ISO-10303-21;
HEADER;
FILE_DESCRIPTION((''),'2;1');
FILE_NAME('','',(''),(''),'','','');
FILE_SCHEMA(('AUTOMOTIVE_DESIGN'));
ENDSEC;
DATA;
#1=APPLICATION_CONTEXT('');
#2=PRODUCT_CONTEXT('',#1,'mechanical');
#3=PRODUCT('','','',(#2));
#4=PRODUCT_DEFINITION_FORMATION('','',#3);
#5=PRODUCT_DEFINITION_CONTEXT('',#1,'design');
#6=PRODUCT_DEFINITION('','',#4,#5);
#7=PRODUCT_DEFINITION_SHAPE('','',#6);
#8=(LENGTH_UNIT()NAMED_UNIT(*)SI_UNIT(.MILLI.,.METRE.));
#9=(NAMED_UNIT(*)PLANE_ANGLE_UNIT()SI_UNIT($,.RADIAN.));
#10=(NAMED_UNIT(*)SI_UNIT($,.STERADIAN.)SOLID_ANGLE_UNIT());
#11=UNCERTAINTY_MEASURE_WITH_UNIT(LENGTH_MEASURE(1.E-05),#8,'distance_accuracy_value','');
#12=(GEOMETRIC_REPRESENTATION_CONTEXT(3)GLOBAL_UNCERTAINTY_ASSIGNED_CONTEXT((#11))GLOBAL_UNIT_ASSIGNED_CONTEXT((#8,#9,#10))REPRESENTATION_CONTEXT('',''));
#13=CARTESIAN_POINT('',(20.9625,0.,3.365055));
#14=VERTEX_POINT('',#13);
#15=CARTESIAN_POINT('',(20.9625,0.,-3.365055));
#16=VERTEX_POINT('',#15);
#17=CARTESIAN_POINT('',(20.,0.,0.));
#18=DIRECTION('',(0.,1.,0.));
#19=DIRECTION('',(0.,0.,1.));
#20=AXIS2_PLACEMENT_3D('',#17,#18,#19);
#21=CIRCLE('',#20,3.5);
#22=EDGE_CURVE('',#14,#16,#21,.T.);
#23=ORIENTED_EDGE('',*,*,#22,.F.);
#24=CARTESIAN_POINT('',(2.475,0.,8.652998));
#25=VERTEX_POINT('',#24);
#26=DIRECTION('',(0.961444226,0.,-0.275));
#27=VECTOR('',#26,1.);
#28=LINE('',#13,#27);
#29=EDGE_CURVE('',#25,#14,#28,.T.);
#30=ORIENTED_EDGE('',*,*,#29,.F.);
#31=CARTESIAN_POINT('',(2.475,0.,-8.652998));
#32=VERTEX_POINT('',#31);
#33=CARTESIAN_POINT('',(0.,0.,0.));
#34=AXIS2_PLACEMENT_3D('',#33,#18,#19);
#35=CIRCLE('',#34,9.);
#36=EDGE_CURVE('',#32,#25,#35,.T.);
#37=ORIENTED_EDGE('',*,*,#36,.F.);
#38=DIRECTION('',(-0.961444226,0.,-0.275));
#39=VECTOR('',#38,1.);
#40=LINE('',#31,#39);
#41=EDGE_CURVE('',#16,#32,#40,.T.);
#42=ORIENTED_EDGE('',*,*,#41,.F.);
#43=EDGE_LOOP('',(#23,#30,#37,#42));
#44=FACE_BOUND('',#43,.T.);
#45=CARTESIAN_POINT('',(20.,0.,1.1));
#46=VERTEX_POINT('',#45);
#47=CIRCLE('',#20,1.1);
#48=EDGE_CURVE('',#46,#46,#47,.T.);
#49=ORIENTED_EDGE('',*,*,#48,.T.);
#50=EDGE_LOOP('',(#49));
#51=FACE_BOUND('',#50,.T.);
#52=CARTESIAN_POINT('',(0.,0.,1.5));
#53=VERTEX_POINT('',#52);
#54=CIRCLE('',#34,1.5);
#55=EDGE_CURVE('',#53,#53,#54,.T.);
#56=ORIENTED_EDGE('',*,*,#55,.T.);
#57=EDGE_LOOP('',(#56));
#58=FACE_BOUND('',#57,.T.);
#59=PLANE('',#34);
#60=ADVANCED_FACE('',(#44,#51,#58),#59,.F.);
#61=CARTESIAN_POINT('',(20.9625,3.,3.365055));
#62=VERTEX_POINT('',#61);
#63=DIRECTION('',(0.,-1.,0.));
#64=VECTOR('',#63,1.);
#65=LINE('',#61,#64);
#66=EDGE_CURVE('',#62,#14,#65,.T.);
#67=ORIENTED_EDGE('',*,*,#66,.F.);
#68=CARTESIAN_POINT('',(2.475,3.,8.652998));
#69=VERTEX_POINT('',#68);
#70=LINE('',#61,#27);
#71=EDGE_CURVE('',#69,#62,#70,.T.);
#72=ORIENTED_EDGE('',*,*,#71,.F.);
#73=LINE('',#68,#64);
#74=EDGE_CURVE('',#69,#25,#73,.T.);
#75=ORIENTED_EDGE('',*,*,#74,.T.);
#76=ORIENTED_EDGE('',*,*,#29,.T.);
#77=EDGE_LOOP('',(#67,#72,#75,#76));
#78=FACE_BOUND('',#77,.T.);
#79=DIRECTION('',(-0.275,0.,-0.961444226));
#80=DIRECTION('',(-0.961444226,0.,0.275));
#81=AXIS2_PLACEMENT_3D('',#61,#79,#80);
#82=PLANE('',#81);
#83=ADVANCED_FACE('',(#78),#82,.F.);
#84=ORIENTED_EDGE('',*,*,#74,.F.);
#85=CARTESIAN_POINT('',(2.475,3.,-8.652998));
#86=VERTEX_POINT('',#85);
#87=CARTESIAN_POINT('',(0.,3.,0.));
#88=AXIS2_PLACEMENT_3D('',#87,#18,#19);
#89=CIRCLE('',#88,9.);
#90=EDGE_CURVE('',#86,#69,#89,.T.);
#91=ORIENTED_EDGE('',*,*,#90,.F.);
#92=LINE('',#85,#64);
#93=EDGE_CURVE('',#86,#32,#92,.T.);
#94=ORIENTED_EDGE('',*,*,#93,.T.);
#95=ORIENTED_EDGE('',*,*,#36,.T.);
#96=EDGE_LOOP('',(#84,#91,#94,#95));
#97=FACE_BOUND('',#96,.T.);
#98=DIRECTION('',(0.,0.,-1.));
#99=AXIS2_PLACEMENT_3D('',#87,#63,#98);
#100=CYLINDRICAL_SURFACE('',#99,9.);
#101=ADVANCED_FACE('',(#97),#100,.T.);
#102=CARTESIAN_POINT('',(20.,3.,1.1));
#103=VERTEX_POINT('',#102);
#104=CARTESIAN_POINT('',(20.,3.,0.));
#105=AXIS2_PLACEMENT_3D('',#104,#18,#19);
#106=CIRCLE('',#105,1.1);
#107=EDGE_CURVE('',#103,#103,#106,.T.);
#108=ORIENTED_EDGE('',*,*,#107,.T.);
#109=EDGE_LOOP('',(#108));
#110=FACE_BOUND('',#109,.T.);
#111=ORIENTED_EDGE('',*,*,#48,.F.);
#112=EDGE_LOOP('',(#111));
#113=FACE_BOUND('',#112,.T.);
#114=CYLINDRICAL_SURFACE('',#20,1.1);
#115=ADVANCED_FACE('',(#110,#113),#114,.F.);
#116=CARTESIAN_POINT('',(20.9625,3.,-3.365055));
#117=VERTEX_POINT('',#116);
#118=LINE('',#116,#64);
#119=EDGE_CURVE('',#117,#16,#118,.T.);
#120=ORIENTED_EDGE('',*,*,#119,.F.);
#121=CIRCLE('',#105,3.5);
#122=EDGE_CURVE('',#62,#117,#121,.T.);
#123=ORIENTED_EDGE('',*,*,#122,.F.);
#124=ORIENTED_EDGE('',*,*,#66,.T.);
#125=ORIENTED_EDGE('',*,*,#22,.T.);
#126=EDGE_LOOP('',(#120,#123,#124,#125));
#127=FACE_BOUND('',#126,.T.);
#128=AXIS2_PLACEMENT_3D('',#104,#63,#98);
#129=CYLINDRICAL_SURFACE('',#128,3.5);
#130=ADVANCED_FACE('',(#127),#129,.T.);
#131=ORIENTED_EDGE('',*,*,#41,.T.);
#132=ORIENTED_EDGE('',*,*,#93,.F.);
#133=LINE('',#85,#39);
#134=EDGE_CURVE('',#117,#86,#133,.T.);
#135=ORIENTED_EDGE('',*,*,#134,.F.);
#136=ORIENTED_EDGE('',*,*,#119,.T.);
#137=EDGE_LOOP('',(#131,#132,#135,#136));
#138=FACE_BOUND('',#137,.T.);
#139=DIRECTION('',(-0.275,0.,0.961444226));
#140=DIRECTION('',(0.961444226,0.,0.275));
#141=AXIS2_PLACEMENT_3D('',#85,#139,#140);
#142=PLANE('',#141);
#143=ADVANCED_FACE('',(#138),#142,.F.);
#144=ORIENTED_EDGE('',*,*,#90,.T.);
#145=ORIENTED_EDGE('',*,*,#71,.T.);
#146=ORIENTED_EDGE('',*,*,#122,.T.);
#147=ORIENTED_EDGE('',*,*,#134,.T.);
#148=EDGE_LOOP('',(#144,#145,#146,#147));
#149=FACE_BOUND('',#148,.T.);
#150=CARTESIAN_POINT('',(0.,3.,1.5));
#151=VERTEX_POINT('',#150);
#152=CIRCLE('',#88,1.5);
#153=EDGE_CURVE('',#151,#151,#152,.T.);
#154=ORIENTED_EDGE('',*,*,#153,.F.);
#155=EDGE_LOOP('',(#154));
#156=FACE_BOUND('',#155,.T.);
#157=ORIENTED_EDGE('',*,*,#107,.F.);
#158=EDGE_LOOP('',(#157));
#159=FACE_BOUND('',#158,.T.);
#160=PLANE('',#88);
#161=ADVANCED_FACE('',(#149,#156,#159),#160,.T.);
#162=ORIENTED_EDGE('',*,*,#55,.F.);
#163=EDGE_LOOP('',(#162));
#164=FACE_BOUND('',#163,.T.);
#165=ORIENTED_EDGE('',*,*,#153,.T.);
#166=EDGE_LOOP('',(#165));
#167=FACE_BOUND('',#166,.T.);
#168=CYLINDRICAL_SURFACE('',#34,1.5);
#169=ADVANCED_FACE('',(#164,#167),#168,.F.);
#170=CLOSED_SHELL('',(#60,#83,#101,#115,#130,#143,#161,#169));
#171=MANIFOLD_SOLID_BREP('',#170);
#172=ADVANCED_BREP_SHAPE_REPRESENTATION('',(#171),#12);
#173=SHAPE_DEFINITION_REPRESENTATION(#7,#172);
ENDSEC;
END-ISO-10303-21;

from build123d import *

# Parameters (mm, degrees)
EXTRUDE_1_DEPTH     = 3
SKETCH_2_R          = 1.5
SKETCH_2_R_2        = 1.1
CUT_EXTRUDE_1_DEPTH = 3


with BuildPart() as part:
    # 스케치1 → 보스-돌출1 (new body)
    with BuildSketch(Plane(origin=(0, 0, 0), x_dir=(1, 0, 0), z_dir=(0, 1, 0))):
        with BuildLine():
            Line((2.475, 8.652998035), (20.9625, 3.365054792))
            ThreePointArc((20.9625, 3.365054792), (23.5, 0), (20.9625, -3.365054792))
            Line((20.9625, -3.365054792), (2.475, -8.652998035))
            ThreePointArc((2.475, -8.652998035), (-9, 0), (2.475, 8.652998035))
        make_face()
    extrude(amount=EXTRUDE_1_DEPTH)

    # 스케치2 → 컷-돌출1 (cut)
    with BuildSketch(Plane(origin=(0, 3, 0), x_dir=(1, 0, 0), z_dir=(0, 1, 0))):
        with Locations(Location((0, 0, 0), (0, 0, 270))):
            Circle(SKETCH_2_R)
        with Locations(Location((20, 0, 0), (0, 0, 270))):
            Circle(SKETCH_2_R_2)
    extrude(amount=-CUT_EXTRUDE_1_DEPTH, mode=Mode.SUBTRACT)


solid = part.part
